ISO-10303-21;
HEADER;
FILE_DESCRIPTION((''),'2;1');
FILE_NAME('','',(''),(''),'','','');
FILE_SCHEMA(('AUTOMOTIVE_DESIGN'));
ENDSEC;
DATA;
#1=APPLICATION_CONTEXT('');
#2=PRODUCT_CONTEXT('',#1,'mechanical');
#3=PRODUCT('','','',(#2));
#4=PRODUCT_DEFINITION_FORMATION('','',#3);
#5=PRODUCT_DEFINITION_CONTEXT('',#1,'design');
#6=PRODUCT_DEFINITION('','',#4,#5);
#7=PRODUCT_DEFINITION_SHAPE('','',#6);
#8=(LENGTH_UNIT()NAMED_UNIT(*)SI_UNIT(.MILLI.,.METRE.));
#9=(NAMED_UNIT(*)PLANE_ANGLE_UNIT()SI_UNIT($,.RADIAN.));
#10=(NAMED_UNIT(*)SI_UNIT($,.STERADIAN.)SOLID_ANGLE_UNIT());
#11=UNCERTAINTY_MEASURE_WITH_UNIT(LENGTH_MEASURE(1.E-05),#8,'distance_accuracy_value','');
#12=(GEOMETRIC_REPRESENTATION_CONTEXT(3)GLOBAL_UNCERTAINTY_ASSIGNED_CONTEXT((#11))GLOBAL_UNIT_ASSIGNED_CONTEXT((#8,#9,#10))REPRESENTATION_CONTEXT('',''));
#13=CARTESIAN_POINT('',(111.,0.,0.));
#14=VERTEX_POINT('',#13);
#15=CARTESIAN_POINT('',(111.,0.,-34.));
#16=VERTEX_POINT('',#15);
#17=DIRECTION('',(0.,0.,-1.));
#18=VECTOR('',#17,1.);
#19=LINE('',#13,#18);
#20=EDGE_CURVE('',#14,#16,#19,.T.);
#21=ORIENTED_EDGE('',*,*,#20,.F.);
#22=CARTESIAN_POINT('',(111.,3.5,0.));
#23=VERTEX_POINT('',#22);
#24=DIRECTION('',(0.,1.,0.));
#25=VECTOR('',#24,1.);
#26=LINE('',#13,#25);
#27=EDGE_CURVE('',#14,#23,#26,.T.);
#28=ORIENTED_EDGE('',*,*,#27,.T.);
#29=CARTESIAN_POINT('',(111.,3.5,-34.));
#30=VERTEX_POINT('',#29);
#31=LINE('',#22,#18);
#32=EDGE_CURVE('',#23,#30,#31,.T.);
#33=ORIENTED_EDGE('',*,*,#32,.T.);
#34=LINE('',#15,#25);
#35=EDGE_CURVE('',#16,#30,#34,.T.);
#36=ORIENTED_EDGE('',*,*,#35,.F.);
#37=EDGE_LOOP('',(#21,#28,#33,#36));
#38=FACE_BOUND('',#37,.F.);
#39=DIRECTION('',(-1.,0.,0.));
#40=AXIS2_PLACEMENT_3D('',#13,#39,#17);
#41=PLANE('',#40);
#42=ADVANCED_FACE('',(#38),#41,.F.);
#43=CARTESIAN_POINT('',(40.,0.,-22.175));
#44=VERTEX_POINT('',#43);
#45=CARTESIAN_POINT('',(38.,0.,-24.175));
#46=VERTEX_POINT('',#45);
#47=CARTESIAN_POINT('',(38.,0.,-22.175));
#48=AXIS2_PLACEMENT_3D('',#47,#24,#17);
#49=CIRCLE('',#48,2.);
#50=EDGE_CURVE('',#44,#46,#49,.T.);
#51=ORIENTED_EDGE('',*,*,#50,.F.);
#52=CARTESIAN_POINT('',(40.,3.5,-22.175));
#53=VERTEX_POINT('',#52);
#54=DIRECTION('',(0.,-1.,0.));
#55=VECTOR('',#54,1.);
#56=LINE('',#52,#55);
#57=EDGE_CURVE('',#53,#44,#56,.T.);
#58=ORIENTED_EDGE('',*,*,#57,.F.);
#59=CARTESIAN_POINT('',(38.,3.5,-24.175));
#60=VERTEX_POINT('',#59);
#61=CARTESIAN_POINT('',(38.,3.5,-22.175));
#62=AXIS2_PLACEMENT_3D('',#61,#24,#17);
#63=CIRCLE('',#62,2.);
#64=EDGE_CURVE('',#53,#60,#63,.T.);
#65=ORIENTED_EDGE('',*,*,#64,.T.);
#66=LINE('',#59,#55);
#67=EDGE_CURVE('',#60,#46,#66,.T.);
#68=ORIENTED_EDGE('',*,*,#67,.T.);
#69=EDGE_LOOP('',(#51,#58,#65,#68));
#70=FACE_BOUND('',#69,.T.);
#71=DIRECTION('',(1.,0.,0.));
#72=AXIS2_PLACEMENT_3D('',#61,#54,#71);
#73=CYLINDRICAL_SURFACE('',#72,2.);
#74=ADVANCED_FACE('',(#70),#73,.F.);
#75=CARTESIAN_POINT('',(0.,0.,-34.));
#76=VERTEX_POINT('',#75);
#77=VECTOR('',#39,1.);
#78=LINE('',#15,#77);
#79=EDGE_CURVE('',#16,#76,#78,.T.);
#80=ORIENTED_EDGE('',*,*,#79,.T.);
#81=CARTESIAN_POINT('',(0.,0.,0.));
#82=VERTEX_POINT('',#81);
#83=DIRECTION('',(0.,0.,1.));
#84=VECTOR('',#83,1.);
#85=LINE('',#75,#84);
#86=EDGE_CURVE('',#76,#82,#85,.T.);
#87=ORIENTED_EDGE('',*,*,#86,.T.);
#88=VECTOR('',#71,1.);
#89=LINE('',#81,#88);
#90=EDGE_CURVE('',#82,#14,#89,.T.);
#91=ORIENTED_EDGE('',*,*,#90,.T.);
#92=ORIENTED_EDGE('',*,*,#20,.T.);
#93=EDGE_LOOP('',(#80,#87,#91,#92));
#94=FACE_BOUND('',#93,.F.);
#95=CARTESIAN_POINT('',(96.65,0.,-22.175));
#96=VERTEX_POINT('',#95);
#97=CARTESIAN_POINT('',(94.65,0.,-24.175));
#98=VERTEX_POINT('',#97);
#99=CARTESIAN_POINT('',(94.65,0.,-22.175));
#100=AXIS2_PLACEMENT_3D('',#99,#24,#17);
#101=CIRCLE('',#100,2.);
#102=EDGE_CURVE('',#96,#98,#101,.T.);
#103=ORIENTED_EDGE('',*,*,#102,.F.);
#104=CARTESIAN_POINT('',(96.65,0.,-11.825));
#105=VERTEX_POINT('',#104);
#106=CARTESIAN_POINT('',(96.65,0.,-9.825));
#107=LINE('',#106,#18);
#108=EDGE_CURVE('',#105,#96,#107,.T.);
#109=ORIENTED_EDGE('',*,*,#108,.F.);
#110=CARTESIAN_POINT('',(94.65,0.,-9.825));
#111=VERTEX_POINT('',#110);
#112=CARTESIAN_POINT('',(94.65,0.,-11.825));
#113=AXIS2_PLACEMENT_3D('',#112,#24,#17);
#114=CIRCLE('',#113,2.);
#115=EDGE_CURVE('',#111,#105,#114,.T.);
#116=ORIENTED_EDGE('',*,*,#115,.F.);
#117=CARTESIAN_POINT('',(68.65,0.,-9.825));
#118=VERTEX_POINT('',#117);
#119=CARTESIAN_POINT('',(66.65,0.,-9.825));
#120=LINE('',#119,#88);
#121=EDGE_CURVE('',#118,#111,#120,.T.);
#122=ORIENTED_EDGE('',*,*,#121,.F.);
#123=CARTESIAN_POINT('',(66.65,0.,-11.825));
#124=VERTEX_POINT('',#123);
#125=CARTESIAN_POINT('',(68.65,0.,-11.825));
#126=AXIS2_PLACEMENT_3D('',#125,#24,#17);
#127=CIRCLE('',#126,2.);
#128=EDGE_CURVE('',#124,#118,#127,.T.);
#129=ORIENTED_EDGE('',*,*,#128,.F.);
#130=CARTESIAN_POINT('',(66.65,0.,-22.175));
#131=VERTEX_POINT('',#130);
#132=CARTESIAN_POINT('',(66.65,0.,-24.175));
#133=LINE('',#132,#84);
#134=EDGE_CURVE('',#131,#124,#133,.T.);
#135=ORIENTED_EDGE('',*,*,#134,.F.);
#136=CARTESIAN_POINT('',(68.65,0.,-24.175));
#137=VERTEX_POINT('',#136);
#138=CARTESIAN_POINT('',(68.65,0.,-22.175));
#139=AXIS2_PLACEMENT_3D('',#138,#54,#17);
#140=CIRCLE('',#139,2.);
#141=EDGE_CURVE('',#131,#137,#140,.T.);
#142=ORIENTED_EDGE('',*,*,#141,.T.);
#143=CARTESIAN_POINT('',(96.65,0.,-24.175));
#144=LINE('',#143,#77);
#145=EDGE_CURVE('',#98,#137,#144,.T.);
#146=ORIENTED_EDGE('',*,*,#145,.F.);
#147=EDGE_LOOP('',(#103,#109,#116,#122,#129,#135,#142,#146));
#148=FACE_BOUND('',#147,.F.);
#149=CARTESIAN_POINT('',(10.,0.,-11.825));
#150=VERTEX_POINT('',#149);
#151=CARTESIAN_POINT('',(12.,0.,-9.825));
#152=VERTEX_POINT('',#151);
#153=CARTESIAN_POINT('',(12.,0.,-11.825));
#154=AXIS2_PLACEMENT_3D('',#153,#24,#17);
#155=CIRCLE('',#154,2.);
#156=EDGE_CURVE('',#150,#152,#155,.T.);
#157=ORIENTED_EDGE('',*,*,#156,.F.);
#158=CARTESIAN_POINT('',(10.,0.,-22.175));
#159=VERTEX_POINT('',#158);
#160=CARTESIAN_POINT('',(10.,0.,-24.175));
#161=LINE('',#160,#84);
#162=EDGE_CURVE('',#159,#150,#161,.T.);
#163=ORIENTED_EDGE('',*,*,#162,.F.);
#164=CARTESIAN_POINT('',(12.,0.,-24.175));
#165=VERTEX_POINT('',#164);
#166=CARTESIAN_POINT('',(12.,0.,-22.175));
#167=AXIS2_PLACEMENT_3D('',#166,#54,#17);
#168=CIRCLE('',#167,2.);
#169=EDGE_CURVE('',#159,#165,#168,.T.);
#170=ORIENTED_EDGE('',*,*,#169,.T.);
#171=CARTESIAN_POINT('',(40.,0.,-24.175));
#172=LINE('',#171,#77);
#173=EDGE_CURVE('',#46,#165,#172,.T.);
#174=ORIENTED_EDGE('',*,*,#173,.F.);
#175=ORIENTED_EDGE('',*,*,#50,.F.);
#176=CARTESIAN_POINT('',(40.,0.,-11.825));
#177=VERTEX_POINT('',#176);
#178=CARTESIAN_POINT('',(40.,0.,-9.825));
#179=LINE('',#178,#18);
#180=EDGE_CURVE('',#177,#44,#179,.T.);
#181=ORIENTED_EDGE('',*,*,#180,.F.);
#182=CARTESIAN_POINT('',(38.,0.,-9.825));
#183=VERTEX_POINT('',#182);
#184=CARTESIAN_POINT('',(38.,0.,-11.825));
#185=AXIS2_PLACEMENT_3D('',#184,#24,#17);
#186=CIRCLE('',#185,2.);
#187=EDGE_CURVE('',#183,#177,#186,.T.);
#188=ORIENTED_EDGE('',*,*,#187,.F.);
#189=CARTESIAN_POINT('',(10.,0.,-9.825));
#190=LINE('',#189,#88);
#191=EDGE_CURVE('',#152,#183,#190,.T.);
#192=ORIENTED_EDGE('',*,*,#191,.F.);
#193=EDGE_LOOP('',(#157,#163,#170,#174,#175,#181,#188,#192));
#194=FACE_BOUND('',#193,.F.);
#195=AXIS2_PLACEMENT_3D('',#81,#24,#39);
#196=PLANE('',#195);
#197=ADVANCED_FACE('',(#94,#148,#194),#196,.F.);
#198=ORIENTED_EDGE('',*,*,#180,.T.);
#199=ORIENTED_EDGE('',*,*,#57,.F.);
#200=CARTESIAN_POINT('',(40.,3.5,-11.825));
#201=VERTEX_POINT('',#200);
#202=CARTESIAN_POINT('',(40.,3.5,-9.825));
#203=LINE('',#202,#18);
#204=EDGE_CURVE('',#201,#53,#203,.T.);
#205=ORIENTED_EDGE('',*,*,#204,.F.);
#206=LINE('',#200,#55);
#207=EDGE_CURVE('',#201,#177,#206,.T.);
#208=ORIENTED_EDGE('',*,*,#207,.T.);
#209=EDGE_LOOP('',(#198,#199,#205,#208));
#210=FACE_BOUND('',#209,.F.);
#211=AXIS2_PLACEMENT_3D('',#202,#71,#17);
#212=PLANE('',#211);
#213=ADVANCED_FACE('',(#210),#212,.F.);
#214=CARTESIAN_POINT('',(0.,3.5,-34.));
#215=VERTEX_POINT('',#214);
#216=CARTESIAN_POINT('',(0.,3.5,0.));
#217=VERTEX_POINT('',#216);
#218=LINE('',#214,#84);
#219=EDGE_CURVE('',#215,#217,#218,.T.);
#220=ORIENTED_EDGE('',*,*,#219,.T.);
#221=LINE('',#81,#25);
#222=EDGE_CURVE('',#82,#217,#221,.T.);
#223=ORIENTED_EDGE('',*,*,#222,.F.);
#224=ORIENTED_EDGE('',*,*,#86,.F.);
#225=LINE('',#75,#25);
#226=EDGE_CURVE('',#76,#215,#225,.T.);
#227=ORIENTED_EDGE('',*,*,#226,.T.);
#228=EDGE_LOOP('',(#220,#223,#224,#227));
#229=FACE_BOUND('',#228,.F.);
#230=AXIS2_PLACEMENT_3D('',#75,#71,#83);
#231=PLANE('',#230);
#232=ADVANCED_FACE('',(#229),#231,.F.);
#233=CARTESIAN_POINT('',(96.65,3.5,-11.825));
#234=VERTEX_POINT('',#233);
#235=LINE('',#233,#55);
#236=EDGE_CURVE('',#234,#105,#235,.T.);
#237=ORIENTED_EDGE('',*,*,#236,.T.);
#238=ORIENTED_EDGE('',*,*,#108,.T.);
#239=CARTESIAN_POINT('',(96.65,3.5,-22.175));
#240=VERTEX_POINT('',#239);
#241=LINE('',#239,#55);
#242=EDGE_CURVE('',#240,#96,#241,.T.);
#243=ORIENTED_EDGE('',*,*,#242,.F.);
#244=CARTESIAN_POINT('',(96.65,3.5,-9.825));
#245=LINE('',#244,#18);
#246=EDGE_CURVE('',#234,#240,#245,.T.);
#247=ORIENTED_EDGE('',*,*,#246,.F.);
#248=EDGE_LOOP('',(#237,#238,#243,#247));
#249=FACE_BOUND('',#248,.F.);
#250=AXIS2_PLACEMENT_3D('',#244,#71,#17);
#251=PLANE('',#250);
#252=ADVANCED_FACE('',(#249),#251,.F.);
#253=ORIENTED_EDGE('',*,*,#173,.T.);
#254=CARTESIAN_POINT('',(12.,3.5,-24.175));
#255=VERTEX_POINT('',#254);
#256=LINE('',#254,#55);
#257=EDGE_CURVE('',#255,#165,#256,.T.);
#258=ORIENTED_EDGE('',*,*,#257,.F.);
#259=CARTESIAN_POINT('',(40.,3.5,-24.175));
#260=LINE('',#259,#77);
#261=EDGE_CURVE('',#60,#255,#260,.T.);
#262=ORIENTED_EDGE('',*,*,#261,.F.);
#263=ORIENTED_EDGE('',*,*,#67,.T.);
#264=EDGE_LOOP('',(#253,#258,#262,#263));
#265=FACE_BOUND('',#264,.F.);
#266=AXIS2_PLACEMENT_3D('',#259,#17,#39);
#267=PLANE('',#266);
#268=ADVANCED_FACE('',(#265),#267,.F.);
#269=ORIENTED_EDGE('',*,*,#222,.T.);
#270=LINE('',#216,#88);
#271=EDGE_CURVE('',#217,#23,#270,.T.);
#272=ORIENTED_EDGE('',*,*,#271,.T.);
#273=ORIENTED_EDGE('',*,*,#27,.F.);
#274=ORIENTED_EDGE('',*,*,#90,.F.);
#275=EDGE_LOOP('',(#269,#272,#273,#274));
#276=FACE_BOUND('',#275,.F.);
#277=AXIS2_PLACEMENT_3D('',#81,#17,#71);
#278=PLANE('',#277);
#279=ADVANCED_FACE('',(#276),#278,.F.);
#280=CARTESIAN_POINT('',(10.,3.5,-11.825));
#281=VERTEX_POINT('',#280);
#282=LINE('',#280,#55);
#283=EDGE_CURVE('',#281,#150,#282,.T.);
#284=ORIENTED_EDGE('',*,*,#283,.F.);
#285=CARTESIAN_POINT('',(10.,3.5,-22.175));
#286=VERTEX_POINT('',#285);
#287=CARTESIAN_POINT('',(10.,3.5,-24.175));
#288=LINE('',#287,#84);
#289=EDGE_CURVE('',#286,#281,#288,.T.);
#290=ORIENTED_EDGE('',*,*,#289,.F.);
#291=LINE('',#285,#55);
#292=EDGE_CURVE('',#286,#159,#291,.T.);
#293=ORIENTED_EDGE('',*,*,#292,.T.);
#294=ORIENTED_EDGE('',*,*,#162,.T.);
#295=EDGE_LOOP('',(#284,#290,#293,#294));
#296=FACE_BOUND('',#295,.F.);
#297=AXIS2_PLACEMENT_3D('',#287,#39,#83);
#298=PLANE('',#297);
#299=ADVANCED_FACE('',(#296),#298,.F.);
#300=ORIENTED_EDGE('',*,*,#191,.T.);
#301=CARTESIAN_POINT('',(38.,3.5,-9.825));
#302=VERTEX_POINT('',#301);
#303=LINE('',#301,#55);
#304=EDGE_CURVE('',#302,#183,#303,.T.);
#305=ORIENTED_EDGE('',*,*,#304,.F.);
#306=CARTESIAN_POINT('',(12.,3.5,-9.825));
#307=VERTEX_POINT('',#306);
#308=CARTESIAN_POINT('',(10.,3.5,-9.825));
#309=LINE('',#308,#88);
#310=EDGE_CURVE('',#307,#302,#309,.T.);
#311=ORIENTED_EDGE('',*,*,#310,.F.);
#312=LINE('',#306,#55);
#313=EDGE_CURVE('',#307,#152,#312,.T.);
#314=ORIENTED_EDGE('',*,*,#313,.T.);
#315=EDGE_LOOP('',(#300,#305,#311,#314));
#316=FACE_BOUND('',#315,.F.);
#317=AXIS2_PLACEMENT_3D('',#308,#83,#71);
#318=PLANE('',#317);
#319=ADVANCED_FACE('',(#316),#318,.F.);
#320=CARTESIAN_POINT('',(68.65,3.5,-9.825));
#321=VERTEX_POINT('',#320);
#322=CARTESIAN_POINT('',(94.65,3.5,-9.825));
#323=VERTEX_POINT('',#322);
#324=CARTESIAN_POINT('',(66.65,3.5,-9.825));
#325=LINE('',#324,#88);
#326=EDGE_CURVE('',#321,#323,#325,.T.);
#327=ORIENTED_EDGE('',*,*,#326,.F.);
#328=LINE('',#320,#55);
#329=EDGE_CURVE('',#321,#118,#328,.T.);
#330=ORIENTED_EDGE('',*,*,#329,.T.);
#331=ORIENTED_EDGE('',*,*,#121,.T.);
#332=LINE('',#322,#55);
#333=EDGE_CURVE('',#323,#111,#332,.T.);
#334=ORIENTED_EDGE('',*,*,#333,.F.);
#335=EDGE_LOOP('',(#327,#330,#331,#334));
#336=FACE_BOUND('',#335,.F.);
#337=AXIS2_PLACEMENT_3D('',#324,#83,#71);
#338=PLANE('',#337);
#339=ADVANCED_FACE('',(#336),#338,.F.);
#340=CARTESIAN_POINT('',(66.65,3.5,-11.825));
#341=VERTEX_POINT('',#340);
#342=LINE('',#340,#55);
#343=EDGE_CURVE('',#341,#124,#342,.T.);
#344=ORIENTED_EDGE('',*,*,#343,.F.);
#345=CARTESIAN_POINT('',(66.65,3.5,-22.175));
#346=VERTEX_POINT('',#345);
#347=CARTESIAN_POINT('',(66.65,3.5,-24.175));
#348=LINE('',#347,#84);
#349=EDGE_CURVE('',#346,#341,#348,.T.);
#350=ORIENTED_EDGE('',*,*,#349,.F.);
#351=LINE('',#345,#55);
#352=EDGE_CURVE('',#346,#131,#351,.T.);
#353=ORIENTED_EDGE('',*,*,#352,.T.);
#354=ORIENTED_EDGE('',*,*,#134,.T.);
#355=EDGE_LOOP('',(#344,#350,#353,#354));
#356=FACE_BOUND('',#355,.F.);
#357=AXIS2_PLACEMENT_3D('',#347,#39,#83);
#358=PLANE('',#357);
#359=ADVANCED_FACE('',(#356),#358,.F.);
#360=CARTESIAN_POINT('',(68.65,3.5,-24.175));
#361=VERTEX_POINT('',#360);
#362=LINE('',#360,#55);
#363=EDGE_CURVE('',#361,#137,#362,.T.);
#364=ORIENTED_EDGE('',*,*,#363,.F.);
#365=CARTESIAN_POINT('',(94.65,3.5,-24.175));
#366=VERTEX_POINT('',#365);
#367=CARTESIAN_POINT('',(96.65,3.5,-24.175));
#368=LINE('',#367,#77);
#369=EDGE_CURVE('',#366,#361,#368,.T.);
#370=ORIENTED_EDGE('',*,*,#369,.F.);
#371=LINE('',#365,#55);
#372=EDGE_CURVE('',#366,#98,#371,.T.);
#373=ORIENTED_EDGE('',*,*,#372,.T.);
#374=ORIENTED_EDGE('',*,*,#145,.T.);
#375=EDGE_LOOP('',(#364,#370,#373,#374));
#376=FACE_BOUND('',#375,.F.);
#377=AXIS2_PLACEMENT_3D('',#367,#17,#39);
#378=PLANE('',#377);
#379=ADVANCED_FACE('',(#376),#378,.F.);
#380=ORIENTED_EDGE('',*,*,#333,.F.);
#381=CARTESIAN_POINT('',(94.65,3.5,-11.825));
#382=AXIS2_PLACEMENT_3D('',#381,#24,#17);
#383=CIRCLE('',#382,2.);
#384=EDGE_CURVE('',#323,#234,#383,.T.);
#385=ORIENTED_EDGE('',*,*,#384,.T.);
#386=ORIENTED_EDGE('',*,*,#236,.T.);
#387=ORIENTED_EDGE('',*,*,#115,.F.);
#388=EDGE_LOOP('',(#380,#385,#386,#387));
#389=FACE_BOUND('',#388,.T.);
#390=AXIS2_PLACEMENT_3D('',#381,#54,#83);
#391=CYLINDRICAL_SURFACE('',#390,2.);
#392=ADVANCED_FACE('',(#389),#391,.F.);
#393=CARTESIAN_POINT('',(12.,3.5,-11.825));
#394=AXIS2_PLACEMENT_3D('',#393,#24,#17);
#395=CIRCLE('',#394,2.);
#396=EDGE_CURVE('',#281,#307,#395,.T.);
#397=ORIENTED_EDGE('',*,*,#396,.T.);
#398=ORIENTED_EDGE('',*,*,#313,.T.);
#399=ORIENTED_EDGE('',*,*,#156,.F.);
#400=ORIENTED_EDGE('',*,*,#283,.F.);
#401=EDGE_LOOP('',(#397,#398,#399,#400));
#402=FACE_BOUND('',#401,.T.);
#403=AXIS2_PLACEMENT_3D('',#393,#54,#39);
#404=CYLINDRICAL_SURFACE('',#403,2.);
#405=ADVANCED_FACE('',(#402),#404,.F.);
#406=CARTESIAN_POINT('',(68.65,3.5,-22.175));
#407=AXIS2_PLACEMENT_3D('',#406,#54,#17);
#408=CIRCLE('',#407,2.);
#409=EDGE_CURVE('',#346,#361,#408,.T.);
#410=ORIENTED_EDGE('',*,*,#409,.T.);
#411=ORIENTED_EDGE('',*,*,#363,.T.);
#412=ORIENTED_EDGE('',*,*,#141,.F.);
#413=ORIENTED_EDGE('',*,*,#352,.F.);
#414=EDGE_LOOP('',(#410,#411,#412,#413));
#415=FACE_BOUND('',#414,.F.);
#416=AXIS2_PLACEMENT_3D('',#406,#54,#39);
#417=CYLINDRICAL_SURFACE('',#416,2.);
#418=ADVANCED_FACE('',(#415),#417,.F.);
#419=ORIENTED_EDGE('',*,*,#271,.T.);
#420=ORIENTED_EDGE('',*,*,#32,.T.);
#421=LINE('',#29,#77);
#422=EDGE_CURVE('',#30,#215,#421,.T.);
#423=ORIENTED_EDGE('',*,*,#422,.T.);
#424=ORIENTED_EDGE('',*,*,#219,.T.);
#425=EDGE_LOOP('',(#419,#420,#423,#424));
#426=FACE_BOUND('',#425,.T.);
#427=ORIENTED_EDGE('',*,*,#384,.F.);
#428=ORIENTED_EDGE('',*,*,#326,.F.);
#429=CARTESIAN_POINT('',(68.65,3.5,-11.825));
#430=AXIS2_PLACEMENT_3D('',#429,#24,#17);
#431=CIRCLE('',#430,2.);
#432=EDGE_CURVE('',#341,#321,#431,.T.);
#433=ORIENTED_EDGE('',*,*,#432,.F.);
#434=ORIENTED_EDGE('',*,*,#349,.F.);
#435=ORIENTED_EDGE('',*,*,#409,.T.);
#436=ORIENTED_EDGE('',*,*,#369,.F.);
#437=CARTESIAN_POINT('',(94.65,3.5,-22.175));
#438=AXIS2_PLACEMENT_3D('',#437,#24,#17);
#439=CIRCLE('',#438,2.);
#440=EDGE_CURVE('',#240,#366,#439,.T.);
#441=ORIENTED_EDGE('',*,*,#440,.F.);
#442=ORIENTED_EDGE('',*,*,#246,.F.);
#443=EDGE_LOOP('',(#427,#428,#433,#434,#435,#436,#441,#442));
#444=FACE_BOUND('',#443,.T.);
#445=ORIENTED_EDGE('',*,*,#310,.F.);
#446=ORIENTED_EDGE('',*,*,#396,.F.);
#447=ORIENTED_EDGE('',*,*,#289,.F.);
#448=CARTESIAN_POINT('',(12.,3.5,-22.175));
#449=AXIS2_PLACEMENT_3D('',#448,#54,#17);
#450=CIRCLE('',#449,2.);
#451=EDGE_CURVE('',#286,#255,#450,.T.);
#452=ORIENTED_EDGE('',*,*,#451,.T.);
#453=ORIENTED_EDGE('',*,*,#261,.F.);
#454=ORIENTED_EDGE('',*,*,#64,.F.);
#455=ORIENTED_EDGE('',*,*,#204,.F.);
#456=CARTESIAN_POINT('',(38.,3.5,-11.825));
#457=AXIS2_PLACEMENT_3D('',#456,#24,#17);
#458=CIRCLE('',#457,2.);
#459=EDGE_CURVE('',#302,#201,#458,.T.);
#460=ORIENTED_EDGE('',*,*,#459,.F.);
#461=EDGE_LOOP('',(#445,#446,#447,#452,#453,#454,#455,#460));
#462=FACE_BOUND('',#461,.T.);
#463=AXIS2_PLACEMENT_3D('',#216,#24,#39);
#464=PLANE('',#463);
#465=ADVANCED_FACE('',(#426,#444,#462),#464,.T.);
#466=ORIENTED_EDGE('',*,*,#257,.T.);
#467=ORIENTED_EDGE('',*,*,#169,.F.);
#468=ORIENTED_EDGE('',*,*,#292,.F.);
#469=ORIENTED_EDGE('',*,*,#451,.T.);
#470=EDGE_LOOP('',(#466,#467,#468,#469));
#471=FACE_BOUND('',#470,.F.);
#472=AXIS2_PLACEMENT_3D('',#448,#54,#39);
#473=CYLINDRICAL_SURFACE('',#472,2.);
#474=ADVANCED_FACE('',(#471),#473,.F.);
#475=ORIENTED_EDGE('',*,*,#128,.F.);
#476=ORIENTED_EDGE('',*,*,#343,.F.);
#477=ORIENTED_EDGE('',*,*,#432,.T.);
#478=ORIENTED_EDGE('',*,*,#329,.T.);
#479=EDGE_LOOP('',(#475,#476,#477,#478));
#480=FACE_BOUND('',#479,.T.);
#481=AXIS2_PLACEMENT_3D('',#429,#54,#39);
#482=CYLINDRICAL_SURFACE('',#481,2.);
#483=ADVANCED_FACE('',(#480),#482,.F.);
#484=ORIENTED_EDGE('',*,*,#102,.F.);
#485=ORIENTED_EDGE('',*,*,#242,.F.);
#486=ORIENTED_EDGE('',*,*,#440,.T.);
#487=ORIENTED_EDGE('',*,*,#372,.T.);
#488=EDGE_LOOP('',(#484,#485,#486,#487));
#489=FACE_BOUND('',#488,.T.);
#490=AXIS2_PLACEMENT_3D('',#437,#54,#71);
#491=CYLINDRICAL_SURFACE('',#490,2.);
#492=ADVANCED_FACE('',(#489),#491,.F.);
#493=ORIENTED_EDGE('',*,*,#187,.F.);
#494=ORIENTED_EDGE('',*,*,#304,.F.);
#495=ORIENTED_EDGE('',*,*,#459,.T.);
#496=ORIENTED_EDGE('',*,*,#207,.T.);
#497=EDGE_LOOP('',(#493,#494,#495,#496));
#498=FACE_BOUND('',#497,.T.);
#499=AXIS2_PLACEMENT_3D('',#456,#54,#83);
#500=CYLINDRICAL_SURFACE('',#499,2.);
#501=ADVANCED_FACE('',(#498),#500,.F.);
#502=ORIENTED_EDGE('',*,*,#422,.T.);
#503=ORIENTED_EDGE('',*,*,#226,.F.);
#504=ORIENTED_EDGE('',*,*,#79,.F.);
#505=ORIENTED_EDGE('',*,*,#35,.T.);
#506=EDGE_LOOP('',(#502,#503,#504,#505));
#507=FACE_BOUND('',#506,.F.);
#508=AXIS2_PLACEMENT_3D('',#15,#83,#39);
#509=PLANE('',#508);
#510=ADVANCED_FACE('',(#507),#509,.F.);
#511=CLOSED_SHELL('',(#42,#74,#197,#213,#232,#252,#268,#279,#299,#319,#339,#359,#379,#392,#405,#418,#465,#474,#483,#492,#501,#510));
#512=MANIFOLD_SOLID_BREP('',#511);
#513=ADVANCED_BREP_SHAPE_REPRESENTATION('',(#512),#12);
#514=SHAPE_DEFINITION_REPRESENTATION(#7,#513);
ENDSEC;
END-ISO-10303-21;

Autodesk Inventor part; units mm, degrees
ref_plane "YZ Plane" through (0, 0, 0) normal (1, 0, 0) x (0, 1, 0)
ref_plane "XZ Plane" through (0, 0, 0) normal (0, 1, 0) x (-1, 0, 0)
ref_plane "XY Plane" through (0, 0, 0) normal (0, 0, 1) x (1, 0, 0)
sketch "Sketch1" plane through (0, 0, 0) normal (0, 1, 0) x (-1, 0, 0)
  line L0 (0, 0) -> (-111, 0)
  line L1 (-111, 0) -> (-111, -34)
  line L2 (-111, -34) -> (0, -34)
  line L3 (0, -34) -> (0, 0)
  dimension "d0" = 111
  dimension "d1" = 34
extrude "Extrusion1" add sketch "Sketch1" along normal blind 3.5
sketch "Sketch2" plane through (0, 3.5, 0) normal (0, 1, 0) x (1, 0, 0)
  line L0 (10, 9.825) -> (40, 9.825)
  line L1 (40, 9.825) -> (40, 24.175)
  line L2 (40, 24.175) -> (10, 24.175)
  line L3 (10, 24.175) -> (10, 9.825)
  line L4 (66.65, 9.825) -> (96.65, 9.825)
  line L5 (96.65, 9.825) -> (96.65, 24.175)
  line L6 (96.65, 24.175) -> (66.65, 24.175)
  line L7 (66.65, 24.175) -> (66.65, 9.825)
  point P0 (0, 0)
  point P1 (66.65, 17)
  dimension "d4" = 30
  dimension "d5" = 14.35
  dimension "d6" = 30
  dimension "d7" = 14.35
  dimension "d8" = 26.65
extrude "Extrusion2" cut sketch "Sketch2" against normal blind 3.5
fillet "Fillet1" radius 2 8 edges at (10, 1.75, -24.175) (40, 1.75, -24.175) (10, 1.75, -9.825) (40, 1.75, -9.825) (66.65, 1.75, -9.825) (66.65, 1.75, -24.175) (96.65, 1.75, -9.825) (96.65, 1.75, -24.175)
properties part number "arcade_lid_extrusion_3.5"
